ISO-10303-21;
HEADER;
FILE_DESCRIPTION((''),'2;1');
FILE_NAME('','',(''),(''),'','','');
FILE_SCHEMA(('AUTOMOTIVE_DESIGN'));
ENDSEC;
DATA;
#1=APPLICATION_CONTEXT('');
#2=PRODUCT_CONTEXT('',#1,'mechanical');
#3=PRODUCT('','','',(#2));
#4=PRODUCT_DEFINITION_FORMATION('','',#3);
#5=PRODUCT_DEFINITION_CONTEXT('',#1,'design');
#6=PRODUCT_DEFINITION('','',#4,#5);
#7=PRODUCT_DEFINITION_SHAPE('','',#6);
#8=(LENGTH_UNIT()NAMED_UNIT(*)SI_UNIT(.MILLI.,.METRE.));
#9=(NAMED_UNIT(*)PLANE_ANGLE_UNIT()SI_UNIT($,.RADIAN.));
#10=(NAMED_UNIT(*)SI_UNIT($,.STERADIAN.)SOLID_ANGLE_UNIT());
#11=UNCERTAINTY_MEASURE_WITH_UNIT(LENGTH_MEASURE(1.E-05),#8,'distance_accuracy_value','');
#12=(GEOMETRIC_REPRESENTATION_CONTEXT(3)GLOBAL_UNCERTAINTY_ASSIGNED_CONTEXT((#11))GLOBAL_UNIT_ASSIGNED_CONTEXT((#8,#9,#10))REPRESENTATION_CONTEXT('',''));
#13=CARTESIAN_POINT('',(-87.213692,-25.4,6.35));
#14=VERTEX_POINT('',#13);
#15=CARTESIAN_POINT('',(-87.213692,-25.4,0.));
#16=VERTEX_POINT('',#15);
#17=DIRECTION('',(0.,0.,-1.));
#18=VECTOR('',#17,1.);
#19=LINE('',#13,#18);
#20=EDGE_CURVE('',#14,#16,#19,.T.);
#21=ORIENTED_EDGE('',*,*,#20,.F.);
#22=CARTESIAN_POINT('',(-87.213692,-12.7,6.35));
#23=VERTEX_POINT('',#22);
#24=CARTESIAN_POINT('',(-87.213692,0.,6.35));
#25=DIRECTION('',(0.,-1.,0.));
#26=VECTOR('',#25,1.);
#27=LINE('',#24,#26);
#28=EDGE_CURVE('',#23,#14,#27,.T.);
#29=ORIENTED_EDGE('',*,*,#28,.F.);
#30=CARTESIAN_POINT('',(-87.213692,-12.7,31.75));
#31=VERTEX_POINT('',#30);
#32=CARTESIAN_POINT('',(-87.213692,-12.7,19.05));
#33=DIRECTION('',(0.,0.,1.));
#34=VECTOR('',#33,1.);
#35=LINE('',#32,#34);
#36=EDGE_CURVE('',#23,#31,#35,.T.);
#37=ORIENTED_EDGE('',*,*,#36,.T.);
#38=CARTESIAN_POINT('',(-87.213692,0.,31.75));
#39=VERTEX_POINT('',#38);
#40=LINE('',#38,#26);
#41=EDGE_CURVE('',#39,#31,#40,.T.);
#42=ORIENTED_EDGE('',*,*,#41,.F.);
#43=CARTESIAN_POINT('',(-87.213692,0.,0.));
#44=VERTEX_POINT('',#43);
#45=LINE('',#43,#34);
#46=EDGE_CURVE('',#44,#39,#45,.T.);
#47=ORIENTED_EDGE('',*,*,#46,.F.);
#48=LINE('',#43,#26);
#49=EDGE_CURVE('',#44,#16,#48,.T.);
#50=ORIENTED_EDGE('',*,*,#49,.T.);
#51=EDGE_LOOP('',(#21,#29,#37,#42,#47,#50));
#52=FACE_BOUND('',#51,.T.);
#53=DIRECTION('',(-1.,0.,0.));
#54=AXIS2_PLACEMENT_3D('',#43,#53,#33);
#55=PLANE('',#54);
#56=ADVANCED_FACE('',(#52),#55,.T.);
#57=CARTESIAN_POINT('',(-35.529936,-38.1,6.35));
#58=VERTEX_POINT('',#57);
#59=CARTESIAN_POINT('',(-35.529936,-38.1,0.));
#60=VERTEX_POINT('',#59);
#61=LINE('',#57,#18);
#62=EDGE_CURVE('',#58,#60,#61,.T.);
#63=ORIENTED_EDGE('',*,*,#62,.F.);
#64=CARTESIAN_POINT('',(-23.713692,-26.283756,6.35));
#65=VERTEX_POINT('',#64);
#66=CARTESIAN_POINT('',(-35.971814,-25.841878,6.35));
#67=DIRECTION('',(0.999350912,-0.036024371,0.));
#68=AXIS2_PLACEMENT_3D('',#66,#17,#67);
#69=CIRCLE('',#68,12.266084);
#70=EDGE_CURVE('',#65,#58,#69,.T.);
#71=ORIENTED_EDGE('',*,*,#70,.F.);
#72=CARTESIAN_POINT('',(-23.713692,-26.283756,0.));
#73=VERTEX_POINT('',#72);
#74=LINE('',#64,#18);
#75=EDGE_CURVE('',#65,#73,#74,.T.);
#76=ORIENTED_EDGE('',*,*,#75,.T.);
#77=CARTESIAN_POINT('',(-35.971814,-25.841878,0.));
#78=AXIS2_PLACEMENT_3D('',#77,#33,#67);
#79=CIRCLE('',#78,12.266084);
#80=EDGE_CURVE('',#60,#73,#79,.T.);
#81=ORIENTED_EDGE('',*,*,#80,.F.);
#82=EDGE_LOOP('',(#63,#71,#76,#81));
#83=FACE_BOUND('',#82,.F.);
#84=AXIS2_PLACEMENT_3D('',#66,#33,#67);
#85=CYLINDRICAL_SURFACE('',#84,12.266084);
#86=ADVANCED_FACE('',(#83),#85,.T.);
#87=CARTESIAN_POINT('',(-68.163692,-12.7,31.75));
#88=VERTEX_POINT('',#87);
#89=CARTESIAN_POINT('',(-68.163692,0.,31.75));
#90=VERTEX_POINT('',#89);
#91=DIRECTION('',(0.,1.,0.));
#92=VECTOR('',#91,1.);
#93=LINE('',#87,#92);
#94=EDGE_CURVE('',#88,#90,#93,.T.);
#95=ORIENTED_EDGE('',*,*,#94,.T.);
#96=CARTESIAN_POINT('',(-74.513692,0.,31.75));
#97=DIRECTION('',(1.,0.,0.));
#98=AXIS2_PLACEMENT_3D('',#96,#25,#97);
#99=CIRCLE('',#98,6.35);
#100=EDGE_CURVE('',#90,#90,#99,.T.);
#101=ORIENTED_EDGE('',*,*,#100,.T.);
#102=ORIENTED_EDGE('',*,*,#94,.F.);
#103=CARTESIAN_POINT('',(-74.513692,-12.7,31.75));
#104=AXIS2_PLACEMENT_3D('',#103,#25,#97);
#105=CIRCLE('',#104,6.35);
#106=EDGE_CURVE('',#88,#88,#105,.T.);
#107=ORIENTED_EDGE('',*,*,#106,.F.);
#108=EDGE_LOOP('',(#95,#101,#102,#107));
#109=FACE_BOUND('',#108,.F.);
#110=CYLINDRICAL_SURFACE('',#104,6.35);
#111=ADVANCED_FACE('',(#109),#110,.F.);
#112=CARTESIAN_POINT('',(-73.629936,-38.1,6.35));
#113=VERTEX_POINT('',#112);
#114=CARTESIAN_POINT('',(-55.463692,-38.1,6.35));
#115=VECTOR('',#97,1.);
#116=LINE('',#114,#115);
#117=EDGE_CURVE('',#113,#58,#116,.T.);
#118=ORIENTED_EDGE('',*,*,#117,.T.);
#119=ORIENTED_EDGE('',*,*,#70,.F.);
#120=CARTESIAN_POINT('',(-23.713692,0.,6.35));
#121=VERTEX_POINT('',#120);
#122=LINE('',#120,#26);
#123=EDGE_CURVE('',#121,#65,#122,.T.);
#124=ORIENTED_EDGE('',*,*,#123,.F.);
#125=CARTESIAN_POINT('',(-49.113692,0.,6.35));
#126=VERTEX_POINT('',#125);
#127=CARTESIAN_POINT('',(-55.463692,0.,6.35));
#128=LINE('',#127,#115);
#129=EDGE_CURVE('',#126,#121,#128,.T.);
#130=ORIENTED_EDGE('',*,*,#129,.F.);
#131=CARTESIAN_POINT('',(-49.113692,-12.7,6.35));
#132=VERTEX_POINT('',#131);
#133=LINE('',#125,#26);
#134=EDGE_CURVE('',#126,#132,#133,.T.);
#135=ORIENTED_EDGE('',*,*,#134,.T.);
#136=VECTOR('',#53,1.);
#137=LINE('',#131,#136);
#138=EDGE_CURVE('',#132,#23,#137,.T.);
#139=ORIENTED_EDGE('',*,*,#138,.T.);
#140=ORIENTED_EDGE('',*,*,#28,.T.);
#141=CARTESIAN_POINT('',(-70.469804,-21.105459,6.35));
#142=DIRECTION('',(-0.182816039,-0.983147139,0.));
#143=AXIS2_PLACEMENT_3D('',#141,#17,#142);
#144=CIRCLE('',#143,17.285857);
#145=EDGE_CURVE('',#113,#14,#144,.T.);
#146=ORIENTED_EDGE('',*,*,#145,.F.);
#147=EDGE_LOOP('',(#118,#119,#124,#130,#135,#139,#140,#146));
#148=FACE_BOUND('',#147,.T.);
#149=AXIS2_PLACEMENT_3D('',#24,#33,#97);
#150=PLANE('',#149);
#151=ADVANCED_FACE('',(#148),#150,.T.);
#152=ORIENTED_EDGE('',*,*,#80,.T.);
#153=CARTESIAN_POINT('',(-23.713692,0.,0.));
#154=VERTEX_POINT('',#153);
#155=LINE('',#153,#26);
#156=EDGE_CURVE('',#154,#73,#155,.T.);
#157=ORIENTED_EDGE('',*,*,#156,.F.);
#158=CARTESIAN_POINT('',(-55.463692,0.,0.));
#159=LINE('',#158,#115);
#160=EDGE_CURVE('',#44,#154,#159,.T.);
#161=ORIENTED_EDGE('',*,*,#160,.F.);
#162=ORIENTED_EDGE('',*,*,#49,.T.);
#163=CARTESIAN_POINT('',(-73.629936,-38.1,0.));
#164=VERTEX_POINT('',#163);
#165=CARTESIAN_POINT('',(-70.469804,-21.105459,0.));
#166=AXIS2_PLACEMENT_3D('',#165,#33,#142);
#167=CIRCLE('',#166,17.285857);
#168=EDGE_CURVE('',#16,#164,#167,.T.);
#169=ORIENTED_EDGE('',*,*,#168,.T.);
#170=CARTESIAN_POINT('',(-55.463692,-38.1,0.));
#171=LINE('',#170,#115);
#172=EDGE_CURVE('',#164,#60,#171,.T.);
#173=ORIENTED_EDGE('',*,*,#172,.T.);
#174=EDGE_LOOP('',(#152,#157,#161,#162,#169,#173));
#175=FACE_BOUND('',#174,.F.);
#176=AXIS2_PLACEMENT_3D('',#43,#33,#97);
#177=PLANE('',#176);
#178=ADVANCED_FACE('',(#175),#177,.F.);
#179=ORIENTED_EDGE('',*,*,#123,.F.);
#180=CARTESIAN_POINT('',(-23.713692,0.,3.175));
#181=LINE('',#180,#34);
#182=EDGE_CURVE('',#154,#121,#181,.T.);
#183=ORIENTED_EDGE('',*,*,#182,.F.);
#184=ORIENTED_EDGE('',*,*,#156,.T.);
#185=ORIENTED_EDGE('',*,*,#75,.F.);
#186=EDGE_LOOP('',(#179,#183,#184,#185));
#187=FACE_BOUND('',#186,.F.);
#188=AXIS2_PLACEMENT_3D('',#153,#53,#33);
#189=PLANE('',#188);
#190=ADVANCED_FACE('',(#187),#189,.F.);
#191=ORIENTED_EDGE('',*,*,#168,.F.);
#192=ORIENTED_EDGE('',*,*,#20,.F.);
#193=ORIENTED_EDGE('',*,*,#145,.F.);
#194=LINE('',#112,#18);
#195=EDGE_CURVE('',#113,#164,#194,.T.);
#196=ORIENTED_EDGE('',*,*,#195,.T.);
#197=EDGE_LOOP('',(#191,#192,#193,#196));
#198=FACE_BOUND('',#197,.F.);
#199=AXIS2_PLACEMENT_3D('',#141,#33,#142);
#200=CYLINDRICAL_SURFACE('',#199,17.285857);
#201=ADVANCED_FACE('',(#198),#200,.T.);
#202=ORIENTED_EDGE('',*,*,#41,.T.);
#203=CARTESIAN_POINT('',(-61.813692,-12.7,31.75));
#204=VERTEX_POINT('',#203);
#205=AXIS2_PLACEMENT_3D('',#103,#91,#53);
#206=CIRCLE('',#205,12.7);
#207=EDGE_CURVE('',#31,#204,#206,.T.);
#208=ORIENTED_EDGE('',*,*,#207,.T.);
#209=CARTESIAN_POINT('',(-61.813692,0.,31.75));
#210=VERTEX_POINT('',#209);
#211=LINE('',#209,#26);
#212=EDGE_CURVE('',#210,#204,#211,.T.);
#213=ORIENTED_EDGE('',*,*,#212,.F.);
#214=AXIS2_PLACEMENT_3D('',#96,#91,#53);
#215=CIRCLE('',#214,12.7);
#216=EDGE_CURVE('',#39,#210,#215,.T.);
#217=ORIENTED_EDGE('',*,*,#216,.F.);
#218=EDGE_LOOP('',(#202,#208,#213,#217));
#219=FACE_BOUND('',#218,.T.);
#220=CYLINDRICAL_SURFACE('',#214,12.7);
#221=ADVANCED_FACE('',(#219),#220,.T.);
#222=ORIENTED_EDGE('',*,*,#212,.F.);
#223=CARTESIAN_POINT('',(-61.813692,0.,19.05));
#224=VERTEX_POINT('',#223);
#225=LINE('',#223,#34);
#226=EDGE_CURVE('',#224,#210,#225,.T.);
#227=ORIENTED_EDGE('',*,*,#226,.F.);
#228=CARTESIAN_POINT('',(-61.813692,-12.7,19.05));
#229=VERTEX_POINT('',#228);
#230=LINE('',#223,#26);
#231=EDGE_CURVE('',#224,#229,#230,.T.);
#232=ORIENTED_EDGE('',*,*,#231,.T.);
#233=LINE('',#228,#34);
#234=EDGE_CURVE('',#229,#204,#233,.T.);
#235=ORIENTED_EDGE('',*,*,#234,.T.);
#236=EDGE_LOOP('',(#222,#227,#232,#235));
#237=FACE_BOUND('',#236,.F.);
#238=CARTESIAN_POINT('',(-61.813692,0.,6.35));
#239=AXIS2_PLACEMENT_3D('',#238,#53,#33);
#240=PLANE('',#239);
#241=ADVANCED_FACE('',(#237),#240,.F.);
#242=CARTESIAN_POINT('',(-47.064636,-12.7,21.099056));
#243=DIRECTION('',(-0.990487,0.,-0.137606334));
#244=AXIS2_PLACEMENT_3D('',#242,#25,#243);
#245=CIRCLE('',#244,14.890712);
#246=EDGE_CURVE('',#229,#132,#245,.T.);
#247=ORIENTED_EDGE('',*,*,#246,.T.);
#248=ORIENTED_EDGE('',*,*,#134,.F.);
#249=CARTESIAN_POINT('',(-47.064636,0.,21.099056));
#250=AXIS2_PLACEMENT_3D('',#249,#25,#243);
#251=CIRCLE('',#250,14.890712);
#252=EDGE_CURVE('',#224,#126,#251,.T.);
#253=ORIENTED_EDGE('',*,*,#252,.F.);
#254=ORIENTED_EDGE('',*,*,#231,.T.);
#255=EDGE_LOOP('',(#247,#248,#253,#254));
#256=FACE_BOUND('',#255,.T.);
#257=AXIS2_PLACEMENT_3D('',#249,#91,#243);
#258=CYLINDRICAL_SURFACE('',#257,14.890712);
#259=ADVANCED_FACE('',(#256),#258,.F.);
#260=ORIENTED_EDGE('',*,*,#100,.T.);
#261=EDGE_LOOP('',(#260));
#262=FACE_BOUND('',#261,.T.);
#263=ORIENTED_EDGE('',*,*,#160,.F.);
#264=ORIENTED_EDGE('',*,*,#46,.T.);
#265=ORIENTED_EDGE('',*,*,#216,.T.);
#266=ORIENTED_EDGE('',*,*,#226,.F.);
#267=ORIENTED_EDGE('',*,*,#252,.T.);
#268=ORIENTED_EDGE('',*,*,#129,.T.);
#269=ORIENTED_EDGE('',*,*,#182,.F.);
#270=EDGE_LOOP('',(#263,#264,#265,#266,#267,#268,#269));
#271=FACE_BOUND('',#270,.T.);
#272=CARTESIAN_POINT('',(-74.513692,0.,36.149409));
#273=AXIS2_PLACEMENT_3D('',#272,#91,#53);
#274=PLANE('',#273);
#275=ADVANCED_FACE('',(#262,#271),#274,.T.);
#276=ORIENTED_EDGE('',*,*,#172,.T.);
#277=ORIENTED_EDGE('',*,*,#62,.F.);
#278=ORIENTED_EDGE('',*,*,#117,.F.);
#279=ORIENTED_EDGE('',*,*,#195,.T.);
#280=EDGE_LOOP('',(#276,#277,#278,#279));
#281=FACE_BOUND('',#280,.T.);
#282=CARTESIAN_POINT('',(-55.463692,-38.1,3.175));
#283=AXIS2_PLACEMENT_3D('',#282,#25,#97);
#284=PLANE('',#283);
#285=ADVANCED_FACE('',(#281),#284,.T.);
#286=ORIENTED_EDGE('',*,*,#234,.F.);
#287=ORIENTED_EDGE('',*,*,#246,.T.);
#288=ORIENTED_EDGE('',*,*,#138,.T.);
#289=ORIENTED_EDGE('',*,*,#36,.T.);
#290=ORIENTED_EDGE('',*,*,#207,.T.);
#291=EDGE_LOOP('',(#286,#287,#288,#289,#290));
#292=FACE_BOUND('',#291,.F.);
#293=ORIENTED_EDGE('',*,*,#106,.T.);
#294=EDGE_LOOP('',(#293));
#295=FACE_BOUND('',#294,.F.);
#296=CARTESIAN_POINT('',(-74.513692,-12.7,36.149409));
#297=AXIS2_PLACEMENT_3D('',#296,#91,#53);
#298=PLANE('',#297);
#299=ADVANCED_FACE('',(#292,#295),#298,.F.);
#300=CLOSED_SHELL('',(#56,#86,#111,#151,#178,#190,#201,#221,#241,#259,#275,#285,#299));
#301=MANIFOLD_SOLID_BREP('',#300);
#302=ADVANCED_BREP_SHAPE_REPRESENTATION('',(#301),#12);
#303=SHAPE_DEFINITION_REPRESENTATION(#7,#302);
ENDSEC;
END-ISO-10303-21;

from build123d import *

# Parameters (mm, degrees)
F0_W      = 63.5
F0_H      = 6.35
F1_DEPTH  = 38.1
F3_DEPTH  = 25.4
F5_DEPTH  = 25.4
F6_W      = 25.4
F6_H      = 25.4
F7_DEPTH  = 12.7
F9_DEPTH  = 12.7
F11_DEPTH = 12.7
F12_R     = 6.35
F13_DEPTH = 25.4


with BuildPart() as f1:
    # F0 (on Front) → F1 (new body)
    with BuildSketch(Plane.XZ):
        with Locations((-55.4636918637, 3.175)):
            Rectangle(F0_W, F0_H)
    extrude(amount=F1_DEPTH)

    # F2 (on face) → F3 (cut)
    with BuildSketch(Plane.XY.offset(6.35)):
        with BuildLine():
            ThreePointArc((-23.7136918637, -26.2837559164), (-27.2983828623, -34.5153090014), (-35.5299359473, -38.1))
            Line((-35.5299359473, -38.1), (-23.7136918637, -38.1))
            Line((-23.7136918637, -38.1), (-23.7136918637, -26.2837559164))
        make_face()
    extrude(amount=-F3_DEPTH, mode=Mode.SUBTRACT)

    # F4 (on face) → F5 (cut)
    with BuildSketch(Plane.XY.offset(6.35)):
        with BuildLine():
            ThreePointArc((-73.6299359473, -38.1), (-82.2750994664, -33.7322502916), (-87.2136918637, -25.4))
            Line((-87.2136918637, -25.4), (-87.2136918637, -38.1))
            Line((-87.2136918637, -38.1), (-73.6299359473, -38.1))
        make_face()
    extrude(amount=-F5_DEPTH, mode=Mode.SUBTRACT)

    # F6 (on face) → F7 (join)
    with BuildSketch(Plane(origin=(0, 0, 0), x_dir=(-1, 0, 0), z_dir=(0, 1, 0))):
        with Locations((74.5136918637, 19.05)):
            Rectangle(F6_W, F6_H)
    extrude(amount=-F7_DEPTH)

    # F8 (on face) → F9 (join)
    with BuildSketch(Plane(origin=(0, 0, 0), x_dir=(-1, 0, 0), z_dir=(0, 1, 0))):
        with BuildLine():
            ThreePointArc((61.8136918637, 19.05), (57.5939587617, 10.569733102), (49.1136918637, 6.35))
            Line((49.1136918637, 6.35), (61.8136918637, 6.35))
            Line((61.8136918637, 6.35), (61.8136918637, 19.05))
        make_face()
    extrude(amount=-F9_DEPTH)

    # F10 (on face) → F11 (join)
    with BuildSketch(Plane(origin=(0, 0, 0), x_dir=(-1, 0, 0), z_dir=(0, 1, 0))):
        with BuildLine():
            Line((61.8136918637, 31.75), (87.2136918637, 31.75))
            ThreePointArc((87.2136918637, 31.75), (74.5136918637, 44.45), (61.8136918637, 31.75))
        make_face()
    extrude(amount=-F11_DEPTH)

    # F12 (on face) → F13 (cut)
    with BuildSketch(Plane.XZ.offset(12.7)):
        with Locations((-74.5136918637, 31.75)):
            Circle(F12_R)
    extrude(amount=-F13_DEPTH, mode=Mode.SUBTRACT)


solid = f1.part
